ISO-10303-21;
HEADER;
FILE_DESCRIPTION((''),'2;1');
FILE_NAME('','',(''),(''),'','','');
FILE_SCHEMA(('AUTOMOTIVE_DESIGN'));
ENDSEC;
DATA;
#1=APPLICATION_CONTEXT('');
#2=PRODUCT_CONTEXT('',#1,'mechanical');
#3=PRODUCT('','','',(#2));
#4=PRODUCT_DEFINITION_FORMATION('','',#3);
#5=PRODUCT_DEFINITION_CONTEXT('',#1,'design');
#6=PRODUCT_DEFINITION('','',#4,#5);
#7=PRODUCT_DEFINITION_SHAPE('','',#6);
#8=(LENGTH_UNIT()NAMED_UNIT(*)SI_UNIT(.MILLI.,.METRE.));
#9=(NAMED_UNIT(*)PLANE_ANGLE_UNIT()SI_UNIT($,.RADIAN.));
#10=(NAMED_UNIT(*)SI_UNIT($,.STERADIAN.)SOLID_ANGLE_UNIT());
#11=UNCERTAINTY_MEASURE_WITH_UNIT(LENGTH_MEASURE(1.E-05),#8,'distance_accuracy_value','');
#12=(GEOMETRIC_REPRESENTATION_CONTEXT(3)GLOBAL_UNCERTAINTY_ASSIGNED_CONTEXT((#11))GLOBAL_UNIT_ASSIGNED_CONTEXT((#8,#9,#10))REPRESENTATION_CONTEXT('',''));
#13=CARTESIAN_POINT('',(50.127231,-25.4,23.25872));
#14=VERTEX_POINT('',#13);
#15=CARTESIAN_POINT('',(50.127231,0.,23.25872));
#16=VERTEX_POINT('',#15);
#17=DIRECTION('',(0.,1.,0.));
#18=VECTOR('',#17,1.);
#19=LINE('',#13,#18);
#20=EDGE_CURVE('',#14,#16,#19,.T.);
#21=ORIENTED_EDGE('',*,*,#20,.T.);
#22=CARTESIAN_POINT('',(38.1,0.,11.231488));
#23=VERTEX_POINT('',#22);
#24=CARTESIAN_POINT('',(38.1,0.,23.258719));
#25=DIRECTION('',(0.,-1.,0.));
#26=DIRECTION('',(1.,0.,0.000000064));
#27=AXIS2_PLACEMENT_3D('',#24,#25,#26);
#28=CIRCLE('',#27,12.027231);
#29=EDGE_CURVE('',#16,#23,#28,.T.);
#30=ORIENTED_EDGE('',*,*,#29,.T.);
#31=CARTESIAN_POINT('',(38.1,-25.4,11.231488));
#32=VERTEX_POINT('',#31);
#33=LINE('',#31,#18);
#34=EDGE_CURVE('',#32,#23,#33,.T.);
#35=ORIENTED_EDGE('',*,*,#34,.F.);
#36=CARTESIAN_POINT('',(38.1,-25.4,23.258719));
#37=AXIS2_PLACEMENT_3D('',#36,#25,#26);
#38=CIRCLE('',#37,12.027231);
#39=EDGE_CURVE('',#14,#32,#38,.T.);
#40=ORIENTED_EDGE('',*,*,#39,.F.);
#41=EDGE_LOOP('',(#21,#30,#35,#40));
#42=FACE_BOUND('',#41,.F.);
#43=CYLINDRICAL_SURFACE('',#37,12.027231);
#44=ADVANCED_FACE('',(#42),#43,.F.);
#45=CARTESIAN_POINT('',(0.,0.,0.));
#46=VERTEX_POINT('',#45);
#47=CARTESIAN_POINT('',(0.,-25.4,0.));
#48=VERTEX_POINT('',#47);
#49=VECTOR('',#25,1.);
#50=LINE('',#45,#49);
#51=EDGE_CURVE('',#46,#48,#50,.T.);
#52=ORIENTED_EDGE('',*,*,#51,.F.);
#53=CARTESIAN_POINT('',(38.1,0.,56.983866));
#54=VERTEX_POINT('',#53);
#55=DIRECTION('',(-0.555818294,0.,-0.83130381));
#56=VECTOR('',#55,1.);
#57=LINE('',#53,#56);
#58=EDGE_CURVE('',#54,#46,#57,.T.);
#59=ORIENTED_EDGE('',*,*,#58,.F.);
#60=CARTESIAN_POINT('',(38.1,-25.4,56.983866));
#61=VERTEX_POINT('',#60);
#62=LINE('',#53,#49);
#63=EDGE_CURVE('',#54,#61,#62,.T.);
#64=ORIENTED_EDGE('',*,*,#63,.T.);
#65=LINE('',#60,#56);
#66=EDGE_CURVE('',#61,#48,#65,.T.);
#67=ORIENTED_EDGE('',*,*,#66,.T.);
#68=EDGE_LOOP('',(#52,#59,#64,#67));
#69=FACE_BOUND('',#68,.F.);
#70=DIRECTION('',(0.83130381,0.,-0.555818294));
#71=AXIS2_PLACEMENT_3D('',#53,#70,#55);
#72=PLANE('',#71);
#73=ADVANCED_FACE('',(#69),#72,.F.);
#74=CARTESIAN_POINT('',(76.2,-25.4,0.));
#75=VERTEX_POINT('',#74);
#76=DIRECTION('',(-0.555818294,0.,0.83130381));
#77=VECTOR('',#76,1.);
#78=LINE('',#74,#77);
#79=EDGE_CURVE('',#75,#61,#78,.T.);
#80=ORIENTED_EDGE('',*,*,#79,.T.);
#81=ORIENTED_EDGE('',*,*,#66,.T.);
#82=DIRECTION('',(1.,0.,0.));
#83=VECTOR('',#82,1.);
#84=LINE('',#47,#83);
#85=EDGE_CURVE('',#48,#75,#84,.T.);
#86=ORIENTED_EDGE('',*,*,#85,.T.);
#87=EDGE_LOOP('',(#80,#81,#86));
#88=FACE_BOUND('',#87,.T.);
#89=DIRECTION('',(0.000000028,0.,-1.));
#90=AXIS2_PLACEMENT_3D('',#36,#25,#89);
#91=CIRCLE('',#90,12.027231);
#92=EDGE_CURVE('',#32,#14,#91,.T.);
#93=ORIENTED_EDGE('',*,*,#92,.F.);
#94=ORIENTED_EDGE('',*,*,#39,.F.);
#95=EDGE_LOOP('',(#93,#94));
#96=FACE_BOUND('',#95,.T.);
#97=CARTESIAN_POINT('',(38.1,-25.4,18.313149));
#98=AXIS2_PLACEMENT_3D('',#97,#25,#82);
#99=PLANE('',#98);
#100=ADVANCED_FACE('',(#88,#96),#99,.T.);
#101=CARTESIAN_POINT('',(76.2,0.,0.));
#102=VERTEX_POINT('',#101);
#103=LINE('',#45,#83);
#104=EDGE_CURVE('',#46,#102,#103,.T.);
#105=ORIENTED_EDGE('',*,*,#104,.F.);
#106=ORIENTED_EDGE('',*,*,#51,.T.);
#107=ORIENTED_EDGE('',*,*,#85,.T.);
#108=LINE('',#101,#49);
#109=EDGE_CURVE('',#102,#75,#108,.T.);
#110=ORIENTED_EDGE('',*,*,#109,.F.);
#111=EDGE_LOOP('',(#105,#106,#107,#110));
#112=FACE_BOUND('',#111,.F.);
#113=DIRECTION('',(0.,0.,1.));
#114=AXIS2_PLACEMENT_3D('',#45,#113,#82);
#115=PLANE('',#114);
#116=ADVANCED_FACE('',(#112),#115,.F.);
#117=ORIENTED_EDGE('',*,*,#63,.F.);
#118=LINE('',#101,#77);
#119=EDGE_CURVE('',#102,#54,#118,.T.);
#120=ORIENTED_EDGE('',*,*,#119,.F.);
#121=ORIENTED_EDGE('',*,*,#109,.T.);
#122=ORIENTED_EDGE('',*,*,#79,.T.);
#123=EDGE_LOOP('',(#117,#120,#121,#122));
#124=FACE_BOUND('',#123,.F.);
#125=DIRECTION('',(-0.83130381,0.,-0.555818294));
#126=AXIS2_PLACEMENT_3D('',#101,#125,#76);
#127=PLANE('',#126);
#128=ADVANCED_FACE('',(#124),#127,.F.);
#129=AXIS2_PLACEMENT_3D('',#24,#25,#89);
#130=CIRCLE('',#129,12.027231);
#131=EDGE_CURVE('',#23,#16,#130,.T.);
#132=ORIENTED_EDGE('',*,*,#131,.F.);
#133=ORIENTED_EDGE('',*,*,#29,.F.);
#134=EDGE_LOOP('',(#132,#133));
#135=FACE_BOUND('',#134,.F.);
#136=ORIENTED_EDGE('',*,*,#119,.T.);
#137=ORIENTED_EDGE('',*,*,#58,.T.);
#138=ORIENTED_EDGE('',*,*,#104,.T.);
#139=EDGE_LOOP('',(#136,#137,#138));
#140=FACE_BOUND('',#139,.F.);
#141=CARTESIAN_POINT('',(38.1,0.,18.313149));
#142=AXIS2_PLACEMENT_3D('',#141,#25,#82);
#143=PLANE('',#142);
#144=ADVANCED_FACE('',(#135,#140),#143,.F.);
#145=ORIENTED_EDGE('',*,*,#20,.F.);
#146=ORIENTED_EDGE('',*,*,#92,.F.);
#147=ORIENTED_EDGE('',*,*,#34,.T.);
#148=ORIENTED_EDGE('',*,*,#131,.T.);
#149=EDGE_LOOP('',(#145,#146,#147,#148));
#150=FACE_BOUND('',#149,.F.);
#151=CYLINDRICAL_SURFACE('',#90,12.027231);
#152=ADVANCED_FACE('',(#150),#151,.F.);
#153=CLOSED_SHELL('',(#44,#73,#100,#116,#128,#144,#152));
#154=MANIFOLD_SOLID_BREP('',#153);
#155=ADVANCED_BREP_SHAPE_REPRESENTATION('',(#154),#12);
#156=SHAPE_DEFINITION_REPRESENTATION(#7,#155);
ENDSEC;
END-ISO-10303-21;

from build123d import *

# Parameters (mm, degrees)
F1_DEPTH = 25.4
F3_DEPTH = 25.4


with BuildPart() as f1:
    # F0 (on Front) → F1 (new body)
    with BuildSketch(Plane.XZ):
        Polygon((38.1, 56.983866), (0, 0), (76.2, 0), align=None)
    extrude(amount=F1_DEPTH)

    # F2 (on face) → F3 (cut)
    with BuildSketch(Plane.XZ.offset(25.4)):
        with BuildLine():
            ThreePointArc((50.127231, 23.25872), (29.595463, 31.763256), (38.1, 11.231488))
            ThreePointArc((38.1, 11.231488), (46.604537, 14.754183), (50.127231, 23.25872))
        make_face()
    extrude(amount=-F3_DEPTH, mode=Mode.SUBTRACT)


solid = f1.part
